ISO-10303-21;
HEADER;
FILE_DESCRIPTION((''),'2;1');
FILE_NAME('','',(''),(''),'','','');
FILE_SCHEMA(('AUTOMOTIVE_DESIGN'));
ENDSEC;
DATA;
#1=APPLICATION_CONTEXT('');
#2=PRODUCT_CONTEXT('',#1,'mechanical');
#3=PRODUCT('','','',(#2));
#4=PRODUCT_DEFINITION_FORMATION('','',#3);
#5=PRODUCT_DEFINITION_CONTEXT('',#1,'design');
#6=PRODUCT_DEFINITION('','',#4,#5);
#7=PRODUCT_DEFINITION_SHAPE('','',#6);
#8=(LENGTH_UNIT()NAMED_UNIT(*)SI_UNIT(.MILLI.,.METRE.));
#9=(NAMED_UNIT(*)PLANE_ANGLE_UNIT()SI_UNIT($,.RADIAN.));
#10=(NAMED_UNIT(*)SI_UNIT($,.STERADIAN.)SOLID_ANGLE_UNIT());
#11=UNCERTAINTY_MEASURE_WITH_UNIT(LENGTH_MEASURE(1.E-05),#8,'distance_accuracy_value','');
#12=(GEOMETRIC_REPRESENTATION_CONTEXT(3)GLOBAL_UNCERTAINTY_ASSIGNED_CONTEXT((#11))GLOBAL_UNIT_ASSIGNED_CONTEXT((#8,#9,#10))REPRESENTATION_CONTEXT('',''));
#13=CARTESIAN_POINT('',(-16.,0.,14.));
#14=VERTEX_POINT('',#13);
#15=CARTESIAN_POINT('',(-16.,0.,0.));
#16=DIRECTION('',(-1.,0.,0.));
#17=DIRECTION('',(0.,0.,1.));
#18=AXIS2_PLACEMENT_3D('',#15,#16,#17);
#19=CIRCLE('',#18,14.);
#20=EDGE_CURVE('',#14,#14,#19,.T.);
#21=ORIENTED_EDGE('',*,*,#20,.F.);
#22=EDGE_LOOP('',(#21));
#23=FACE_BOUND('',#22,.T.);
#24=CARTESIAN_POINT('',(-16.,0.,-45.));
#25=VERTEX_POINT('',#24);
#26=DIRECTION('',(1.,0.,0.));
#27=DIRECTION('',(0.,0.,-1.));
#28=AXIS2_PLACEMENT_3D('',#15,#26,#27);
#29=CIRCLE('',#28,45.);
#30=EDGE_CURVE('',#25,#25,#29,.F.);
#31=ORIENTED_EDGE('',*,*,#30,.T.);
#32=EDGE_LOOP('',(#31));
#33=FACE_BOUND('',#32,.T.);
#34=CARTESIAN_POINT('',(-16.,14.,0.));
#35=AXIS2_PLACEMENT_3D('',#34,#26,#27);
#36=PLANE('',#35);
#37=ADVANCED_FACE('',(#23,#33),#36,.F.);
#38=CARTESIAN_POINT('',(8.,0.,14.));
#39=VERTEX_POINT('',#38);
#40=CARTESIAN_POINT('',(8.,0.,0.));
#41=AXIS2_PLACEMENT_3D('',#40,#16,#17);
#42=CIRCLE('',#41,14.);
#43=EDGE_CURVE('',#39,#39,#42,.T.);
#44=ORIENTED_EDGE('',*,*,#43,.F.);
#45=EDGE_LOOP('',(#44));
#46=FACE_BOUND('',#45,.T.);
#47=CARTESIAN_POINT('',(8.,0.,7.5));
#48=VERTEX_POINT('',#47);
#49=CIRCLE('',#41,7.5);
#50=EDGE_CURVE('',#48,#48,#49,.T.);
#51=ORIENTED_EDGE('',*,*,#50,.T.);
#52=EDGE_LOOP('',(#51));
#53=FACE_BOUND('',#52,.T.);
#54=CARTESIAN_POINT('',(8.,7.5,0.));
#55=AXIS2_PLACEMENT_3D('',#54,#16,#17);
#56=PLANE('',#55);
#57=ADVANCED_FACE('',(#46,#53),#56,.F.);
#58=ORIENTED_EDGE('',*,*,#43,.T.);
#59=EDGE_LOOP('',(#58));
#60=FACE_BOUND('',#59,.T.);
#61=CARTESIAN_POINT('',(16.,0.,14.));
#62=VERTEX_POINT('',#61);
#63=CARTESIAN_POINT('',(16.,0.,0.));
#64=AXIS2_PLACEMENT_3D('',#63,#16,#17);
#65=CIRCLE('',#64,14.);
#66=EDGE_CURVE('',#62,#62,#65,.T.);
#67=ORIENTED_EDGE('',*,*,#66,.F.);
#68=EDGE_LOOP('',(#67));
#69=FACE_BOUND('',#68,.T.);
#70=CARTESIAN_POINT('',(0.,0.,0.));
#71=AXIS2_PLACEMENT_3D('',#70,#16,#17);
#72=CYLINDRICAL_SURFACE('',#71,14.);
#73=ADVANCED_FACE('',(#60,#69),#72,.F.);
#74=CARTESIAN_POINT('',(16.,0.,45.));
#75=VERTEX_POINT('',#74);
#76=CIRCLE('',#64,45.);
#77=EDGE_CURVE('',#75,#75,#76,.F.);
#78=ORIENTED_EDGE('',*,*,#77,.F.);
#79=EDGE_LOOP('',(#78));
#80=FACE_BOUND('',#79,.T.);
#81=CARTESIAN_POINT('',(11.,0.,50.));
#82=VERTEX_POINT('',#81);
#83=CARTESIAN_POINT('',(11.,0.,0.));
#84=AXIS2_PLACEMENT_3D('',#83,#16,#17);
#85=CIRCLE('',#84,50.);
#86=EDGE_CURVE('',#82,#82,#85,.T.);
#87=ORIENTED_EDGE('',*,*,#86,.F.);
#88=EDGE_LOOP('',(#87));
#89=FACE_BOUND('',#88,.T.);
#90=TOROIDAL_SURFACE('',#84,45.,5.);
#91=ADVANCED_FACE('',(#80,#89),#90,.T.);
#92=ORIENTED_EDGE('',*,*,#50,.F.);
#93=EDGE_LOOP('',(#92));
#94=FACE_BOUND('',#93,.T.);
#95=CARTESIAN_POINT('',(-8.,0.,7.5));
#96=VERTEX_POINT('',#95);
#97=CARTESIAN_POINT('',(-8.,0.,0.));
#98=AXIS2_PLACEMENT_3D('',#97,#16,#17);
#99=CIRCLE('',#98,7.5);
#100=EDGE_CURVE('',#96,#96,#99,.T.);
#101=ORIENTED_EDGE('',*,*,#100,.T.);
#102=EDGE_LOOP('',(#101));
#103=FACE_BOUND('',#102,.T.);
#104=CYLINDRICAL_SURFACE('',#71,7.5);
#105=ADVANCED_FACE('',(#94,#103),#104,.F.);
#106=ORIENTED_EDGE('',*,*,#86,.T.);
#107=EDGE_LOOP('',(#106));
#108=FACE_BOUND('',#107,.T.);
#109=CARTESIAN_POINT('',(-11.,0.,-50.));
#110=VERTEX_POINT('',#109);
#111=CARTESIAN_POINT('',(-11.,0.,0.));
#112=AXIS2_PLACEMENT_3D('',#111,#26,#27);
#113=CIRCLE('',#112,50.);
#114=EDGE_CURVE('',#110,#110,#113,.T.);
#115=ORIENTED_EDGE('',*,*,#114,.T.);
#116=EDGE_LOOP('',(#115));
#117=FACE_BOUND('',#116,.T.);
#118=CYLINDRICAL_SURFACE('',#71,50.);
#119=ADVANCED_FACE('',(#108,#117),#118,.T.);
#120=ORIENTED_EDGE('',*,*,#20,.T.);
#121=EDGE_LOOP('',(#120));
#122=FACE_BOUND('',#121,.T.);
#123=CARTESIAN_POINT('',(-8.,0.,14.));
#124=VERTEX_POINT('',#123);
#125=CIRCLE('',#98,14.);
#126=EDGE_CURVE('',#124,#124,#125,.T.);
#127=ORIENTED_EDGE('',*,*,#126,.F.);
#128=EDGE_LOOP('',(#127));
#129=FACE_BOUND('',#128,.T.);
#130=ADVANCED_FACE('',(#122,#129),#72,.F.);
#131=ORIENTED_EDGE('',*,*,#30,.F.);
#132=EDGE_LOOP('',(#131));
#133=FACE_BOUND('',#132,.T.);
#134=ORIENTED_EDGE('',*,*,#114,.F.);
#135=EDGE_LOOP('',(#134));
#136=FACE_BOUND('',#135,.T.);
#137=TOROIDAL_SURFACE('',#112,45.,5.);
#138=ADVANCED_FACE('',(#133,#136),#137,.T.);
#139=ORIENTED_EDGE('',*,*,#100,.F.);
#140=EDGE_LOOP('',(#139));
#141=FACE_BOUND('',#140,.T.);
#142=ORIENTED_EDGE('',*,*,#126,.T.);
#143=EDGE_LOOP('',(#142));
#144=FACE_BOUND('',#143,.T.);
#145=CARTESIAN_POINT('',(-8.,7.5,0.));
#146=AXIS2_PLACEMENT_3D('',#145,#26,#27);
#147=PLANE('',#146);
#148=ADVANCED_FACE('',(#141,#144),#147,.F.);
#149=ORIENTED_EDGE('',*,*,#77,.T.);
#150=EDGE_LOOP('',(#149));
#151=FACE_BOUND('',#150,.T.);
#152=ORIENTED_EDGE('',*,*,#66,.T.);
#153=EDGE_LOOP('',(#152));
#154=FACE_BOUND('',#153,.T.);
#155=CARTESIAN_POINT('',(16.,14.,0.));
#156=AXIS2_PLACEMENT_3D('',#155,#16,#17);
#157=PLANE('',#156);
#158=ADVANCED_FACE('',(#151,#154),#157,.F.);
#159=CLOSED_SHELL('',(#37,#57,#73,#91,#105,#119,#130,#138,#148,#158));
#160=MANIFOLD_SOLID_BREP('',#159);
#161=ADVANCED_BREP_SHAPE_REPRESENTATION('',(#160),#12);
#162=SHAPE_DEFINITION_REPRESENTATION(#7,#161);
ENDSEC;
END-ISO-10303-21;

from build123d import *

# Parameters (mm, degrees)
FILLET1_R = 5


with BuildPart() as part:
    # Sketch1 → Revolve1 (revolve)
    with BuildSketch(Plane.XY, mode=Mode.PRIVATE) as revolve1_sk:
        Polygon((8, 7.5), (-8, 7.5), (-8, 14), (-16, 14), (-16, 50), (16, 50), (16, 14), (8, 14), align=None)
    revolve(revolve1_sk.sketch.rotate(Axis((0, 0, 0), (1, 0, 0)), 90), axis=Axis((0, 0, 0), (1, 0, 0)))

    # Fillet1
    fillet1_edges = [part.edges().sort_by_distance(p)[0] for p in [
        (16, 0, -50),
        (-16, 0, -50),
    ]]
    fillet(fillet1_edges, radius=FILLET1_R)


solid = part.part
